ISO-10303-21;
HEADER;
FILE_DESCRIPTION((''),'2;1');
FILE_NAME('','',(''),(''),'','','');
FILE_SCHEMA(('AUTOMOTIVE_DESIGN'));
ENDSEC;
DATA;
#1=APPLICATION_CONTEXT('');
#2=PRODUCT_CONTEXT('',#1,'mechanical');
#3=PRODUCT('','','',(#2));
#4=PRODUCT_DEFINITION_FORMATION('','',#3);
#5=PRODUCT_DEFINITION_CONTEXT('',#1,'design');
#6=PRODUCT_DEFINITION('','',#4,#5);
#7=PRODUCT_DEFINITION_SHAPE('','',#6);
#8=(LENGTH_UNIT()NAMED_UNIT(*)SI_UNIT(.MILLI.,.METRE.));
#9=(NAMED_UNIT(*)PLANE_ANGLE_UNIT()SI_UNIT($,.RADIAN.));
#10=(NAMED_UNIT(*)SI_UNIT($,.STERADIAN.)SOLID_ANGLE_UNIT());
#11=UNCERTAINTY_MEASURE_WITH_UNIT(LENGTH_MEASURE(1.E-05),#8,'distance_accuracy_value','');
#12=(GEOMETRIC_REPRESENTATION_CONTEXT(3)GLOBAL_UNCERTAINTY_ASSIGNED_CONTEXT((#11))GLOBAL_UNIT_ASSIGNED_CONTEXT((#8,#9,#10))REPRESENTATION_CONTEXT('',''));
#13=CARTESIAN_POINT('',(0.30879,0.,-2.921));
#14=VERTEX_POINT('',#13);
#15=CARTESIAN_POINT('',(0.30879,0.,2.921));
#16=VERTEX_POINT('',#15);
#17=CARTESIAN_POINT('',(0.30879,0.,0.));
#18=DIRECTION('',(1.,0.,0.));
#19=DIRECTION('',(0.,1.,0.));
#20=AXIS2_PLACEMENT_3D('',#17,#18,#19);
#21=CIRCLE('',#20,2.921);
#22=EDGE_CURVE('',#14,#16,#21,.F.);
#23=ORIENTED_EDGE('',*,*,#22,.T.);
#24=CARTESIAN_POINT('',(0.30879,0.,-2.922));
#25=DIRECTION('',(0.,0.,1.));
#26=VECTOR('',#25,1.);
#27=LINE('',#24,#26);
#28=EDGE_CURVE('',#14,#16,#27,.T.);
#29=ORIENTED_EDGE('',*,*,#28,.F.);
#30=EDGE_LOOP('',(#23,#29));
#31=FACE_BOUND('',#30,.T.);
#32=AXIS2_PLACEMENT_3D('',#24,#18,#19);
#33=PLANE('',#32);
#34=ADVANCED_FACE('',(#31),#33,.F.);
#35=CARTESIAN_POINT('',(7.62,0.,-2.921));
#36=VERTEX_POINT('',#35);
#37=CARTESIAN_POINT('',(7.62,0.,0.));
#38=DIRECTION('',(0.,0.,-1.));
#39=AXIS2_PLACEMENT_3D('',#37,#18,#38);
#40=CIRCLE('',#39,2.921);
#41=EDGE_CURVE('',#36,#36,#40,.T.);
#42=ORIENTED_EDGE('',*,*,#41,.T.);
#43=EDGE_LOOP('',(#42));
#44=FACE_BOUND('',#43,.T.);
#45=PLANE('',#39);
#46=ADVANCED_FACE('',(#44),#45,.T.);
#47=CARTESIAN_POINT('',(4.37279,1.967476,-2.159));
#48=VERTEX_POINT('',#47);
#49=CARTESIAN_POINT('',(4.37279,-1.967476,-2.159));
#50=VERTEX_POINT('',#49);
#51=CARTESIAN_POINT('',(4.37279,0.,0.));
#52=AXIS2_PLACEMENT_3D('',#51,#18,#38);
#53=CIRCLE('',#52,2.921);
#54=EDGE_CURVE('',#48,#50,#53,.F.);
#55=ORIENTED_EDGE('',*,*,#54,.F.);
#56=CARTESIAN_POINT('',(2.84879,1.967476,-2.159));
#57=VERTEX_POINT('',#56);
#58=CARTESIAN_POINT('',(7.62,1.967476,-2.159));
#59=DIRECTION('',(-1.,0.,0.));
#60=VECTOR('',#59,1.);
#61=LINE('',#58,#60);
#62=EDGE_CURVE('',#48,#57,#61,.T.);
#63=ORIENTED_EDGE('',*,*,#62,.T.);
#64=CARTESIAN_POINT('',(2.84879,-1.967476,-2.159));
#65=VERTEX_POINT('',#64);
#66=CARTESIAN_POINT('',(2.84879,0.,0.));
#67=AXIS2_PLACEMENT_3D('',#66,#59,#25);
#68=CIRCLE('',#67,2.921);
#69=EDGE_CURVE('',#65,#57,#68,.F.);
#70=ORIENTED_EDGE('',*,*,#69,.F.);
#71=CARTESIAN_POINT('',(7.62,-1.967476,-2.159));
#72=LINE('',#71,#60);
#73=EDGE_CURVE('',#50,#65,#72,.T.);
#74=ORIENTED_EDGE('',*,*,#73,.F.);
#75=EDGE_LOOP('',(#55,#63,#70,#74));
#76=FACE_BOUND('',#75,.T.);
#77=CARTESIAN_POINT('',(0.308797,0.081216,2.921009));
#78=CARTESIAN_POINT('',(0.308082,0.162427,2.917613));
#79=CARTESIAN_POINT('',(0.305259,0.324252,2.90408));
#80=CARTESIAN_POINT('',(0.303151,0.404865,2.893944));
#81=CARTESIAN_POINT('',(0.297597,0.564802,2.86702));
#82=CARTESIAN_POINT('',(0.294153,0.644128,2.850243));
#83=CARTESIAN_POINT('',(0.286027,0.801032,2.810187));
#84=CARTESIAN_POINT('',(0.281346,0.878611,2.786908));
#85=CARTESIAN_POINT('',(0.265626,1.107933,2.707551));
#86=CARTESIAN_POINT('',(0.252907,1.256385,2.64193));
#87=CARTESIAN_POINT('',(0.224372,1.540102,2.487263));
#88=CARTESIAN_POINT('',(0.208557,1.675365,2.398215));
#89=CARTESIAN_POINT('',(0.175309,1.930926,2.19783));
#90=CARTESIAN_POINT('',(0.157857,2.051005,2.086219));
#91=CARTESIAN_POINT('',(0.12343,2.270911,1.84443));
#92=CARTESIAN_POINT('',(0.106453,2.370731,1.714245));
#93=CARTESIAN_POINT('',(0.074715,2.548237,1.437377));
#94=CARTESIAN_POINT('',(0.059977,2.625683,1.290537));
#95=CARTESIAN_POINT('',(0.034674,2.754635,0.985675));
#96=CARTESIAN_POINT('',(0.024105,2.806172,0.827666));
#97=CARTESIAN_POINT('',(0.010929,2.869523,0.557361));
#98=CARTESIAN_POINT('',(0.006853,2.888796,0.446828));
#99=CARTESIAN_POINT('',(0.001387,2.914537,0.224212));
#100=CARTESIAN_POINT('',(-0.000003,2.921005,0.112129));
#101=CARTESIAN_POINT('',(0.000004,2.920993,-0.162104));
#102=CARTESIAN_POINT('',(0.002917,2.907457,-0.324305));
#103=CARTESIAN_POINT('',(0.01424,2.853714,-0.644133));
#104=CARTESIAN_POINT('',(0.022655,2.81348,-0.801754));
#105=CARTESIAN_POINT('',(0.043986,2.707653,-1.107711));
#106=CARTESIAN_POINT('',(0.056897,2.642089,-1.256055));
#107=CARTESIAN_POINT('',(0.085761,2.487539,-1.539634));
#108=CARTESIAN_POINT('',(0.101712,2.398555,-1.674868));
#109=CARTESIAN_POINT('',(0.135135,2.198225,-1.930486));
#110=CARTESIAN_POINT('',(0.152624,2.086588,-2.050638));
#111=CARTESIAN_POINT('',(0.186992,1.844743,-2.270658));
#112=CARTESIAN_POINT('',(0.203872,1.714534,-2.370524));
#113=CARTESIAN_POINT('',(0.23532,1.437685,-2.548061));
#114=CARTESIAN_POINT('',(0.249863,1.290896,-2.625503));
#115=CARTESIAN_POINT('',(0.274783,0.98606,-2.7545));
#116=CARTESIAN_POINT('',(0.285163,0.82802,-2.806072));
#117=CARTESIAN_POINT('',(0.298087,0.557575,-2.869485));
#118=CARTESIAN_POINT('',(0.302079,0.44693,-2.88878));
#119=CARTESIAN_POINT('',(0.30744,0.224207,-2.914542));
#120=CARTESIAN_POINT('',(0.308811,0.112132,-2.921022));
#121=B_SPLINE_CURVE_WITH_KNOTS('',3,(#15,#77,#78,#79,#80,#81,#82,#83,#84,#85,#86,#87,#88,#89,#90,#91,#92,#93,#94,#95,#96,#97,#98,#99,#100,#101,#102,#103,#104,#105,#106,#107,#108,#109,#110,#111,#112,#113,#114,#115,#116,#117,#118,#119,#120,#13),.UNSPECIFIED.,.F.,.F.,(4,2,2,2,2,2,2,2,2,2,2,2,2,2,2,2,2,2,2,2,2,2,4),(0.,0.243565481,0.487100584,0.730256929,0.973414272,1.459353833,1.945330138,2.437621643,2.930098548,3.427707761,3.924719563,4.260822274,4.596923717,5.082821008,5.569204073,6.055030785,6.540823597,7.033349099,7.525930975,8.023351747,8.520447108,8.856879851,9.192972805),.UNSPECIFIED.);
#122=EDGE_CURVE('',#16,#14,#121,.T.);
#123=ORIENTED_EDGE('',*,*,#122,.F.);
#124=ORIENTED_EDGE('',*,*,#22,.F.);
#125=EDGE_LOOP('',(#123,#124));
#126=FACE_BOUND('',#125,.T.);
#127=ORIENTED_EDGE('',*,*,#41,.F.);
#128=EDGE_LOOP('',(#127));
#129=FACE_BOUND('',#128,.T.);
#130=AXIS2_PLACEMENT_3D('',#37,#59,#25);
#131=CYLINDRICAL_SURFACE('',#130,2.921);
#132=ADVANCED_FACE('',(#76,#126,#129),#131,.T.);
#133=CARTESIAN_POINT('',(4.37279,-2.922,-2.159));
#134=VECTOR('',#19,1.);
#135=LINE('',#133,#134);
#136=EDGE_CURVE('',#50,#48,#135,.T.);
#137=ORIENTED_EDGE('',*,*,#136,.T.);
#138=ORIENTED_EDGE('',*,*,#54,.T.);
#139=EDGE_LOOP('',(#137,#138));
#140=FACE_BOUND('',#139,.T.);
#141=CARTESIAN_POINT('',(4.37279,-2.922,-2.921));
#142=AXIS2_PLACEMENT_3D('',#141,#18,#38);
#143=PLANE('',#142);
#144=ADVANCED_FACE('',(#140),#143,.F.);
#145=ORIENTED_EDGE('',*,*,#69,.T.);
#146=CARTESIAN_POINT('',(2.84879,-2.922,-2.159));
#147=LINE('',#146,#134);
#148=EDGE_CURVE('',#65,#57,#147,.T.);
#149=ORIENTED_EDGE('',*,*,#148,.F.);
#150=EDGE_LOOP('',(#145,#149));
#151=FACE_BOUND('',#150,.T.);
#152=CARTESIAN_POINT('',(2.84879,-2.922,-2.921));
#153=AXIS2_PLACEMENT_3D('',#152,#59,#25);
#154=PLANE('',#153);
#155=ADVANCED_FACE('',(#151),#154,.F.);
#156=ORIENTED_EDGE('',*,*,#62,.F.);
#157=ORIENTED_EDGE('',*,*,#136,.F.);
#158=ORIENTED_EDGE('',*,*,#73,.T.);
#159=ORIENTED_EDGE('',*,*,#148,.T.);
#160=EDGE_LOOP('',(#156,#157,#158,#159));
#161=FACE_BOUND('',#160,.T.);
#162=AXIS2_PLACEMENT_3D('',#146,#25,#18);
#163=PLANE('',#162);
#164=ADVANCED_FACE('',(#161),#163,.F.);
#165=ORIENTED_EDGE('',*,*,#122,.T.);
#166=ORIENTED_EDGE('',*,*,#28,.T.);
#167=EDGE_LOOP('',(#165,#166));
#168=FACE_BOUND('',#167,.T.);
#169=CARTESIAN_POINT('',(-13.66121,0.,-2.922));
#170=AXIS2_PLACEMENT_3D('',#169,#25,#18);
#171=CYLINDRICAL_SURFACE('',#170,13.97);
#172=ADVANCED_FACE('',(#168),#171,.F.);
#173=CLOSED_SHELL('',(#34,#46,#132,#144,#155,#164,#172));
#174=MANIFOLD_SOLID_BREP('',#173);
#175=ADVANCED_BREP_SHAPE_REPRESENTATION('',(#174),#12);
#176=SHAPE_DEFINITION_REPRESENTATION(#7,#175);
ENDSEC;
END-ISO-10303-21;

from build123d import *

# Parameters (mm, degrees)
SKETCH3_R                      = 2.921
BOSS_EXTRUDE2_DEPTH            = 7.62
CUT_EXTRUDE1_REACH             = 4.921
CUT_EXTRUDE1_DIRECTION_2_REACH = 4.921
CUT_EXTRUDE2_REACH             = 4.921
SKETCH5_W                      = 1.524
SKETCH5_H                      = 0.762
CUT_EXTRUDE2_DIRECTION_2_REACH = 4.921


with BuildPart() as part:
    # Sketch3 → Boss-Extrude2 (new body)
    with BuildSketch(Plane(origin=(0, 0, 0), x_dir=(0, 0, -1), z_dir=(1, 0, 0))):
        Circle(SKETCH3_R)
    extrude(amount=BOSS_EXTRUDE2_DEPTH)

    # Sketch4 → Cut-Extrude1 (cut, up to next)
    with BuildSketch(Plane.XY, mode=Mode.PRIVATE) as cut_extrude1_sk1:
        with BuildLine():
            Line((0.308789988, 0), (0.308789988, -2.921))
            Line((0.308789988, -2.921), (0, -2.921))
            Line((0, -2.921), (0, 2.921))
            ThreePointArc((0, 2.921), (0.231378009, 1.468638167), (0.308789988, 0))
        make_face()
    cut_extrude1_tool1 = extrude(cut_extrude1_sk1.sketch, amount=-CUT_EXTRUDE1_REACH, mode=Mode.PRIVATE) & part.part
    add(cut_extrude1_tool1.solids().sort_by_distance((0.142074, -0.436129, 0))[0], mode=Mode.SUBTRACT)

    # Sketch4 → Cut-Extrude1 direction 2 (cut, up to next)
    with BuildSketch(Plane.XY, mode=Mode.PRIVATE) as cut_extrude1_direction_2_sk1:
        with BuildLine():
            Line((0.308789988, 0), (0.308789988, -2.921))
            Line((0.308789988, -2.921), (0, -2.921))
            Line((0, -2.921), (0, 2.921))
            ThreePointArc((0, 2.921), (0.231378009, 1.468638167), (0.308789988, 0))
        make_face()
    cut_extrude1_direction_2_tool1 = extrude(cut_extrude1_direction_2_sk1.sketch, amount=CUT_EXTRUDE1_DIRECTION_2_REACH, mode=Mode.PRIVATE) & part.part
    add(cut_extrude1_direction_2_tool1.solids().sort_by_distance((0.142074, -0.436129, 0))[0], mode=Mode.SUBTRACT)

    # Sketch5 → Cut-Extrude2 (cut, up to next)
    with BuildSketch(Plane(origin=(0, 0, 0), x_dir=(1, 0, 0), z_dir=(0, 1, 0)), mode=Mode.PRIVATE) as cut_extrude2_sk1:
        with Locations((3.610789988, 2.54)):
            Rectangle(SKETCH5_W, SKETCH5_H)
    cut_extrude2_tool1 = extrude(cut_extrude2_sk1.sketch, amount=-CUT_EXTRUDE2_REACH, mode=Mode.PRIVATE) & part.part
    add(cut_extrude2_tool1.solids().sort_by_distance((3.61079, 0, -2.54))[0], mode=Mode.SUBTRACT)

    # Sketch5 → Cut-Extrude2 direction 2 (cut, up to next)
    with BuildSketch(Plane(origin=(0, 0, 0), x_dir=(1, 0, 0), z_dir=(0, 1, 0)), mode=Mode.PRIVATE) as cut_extrude2_direction_2_sk1:
        with Locations((3.610789988, 2.54)):
            Rectangle(SKETCH5_W, SKETCH5_H)
    cut_extrude2_direction_2_tool1 = extrude(cut_extrude2_direction_2_sk1.sketch, amount=CUT_EXTRUDE2_DIRECTION_2_REACH, mode=Mode.PRIVATE) & part.part
    add(cut_extrude2_direction_2_tool1.solids().sort_by_distance((3.61079, 0, -2.54))[0], mode=Mode.SUBTRACT)


solid = part.part
